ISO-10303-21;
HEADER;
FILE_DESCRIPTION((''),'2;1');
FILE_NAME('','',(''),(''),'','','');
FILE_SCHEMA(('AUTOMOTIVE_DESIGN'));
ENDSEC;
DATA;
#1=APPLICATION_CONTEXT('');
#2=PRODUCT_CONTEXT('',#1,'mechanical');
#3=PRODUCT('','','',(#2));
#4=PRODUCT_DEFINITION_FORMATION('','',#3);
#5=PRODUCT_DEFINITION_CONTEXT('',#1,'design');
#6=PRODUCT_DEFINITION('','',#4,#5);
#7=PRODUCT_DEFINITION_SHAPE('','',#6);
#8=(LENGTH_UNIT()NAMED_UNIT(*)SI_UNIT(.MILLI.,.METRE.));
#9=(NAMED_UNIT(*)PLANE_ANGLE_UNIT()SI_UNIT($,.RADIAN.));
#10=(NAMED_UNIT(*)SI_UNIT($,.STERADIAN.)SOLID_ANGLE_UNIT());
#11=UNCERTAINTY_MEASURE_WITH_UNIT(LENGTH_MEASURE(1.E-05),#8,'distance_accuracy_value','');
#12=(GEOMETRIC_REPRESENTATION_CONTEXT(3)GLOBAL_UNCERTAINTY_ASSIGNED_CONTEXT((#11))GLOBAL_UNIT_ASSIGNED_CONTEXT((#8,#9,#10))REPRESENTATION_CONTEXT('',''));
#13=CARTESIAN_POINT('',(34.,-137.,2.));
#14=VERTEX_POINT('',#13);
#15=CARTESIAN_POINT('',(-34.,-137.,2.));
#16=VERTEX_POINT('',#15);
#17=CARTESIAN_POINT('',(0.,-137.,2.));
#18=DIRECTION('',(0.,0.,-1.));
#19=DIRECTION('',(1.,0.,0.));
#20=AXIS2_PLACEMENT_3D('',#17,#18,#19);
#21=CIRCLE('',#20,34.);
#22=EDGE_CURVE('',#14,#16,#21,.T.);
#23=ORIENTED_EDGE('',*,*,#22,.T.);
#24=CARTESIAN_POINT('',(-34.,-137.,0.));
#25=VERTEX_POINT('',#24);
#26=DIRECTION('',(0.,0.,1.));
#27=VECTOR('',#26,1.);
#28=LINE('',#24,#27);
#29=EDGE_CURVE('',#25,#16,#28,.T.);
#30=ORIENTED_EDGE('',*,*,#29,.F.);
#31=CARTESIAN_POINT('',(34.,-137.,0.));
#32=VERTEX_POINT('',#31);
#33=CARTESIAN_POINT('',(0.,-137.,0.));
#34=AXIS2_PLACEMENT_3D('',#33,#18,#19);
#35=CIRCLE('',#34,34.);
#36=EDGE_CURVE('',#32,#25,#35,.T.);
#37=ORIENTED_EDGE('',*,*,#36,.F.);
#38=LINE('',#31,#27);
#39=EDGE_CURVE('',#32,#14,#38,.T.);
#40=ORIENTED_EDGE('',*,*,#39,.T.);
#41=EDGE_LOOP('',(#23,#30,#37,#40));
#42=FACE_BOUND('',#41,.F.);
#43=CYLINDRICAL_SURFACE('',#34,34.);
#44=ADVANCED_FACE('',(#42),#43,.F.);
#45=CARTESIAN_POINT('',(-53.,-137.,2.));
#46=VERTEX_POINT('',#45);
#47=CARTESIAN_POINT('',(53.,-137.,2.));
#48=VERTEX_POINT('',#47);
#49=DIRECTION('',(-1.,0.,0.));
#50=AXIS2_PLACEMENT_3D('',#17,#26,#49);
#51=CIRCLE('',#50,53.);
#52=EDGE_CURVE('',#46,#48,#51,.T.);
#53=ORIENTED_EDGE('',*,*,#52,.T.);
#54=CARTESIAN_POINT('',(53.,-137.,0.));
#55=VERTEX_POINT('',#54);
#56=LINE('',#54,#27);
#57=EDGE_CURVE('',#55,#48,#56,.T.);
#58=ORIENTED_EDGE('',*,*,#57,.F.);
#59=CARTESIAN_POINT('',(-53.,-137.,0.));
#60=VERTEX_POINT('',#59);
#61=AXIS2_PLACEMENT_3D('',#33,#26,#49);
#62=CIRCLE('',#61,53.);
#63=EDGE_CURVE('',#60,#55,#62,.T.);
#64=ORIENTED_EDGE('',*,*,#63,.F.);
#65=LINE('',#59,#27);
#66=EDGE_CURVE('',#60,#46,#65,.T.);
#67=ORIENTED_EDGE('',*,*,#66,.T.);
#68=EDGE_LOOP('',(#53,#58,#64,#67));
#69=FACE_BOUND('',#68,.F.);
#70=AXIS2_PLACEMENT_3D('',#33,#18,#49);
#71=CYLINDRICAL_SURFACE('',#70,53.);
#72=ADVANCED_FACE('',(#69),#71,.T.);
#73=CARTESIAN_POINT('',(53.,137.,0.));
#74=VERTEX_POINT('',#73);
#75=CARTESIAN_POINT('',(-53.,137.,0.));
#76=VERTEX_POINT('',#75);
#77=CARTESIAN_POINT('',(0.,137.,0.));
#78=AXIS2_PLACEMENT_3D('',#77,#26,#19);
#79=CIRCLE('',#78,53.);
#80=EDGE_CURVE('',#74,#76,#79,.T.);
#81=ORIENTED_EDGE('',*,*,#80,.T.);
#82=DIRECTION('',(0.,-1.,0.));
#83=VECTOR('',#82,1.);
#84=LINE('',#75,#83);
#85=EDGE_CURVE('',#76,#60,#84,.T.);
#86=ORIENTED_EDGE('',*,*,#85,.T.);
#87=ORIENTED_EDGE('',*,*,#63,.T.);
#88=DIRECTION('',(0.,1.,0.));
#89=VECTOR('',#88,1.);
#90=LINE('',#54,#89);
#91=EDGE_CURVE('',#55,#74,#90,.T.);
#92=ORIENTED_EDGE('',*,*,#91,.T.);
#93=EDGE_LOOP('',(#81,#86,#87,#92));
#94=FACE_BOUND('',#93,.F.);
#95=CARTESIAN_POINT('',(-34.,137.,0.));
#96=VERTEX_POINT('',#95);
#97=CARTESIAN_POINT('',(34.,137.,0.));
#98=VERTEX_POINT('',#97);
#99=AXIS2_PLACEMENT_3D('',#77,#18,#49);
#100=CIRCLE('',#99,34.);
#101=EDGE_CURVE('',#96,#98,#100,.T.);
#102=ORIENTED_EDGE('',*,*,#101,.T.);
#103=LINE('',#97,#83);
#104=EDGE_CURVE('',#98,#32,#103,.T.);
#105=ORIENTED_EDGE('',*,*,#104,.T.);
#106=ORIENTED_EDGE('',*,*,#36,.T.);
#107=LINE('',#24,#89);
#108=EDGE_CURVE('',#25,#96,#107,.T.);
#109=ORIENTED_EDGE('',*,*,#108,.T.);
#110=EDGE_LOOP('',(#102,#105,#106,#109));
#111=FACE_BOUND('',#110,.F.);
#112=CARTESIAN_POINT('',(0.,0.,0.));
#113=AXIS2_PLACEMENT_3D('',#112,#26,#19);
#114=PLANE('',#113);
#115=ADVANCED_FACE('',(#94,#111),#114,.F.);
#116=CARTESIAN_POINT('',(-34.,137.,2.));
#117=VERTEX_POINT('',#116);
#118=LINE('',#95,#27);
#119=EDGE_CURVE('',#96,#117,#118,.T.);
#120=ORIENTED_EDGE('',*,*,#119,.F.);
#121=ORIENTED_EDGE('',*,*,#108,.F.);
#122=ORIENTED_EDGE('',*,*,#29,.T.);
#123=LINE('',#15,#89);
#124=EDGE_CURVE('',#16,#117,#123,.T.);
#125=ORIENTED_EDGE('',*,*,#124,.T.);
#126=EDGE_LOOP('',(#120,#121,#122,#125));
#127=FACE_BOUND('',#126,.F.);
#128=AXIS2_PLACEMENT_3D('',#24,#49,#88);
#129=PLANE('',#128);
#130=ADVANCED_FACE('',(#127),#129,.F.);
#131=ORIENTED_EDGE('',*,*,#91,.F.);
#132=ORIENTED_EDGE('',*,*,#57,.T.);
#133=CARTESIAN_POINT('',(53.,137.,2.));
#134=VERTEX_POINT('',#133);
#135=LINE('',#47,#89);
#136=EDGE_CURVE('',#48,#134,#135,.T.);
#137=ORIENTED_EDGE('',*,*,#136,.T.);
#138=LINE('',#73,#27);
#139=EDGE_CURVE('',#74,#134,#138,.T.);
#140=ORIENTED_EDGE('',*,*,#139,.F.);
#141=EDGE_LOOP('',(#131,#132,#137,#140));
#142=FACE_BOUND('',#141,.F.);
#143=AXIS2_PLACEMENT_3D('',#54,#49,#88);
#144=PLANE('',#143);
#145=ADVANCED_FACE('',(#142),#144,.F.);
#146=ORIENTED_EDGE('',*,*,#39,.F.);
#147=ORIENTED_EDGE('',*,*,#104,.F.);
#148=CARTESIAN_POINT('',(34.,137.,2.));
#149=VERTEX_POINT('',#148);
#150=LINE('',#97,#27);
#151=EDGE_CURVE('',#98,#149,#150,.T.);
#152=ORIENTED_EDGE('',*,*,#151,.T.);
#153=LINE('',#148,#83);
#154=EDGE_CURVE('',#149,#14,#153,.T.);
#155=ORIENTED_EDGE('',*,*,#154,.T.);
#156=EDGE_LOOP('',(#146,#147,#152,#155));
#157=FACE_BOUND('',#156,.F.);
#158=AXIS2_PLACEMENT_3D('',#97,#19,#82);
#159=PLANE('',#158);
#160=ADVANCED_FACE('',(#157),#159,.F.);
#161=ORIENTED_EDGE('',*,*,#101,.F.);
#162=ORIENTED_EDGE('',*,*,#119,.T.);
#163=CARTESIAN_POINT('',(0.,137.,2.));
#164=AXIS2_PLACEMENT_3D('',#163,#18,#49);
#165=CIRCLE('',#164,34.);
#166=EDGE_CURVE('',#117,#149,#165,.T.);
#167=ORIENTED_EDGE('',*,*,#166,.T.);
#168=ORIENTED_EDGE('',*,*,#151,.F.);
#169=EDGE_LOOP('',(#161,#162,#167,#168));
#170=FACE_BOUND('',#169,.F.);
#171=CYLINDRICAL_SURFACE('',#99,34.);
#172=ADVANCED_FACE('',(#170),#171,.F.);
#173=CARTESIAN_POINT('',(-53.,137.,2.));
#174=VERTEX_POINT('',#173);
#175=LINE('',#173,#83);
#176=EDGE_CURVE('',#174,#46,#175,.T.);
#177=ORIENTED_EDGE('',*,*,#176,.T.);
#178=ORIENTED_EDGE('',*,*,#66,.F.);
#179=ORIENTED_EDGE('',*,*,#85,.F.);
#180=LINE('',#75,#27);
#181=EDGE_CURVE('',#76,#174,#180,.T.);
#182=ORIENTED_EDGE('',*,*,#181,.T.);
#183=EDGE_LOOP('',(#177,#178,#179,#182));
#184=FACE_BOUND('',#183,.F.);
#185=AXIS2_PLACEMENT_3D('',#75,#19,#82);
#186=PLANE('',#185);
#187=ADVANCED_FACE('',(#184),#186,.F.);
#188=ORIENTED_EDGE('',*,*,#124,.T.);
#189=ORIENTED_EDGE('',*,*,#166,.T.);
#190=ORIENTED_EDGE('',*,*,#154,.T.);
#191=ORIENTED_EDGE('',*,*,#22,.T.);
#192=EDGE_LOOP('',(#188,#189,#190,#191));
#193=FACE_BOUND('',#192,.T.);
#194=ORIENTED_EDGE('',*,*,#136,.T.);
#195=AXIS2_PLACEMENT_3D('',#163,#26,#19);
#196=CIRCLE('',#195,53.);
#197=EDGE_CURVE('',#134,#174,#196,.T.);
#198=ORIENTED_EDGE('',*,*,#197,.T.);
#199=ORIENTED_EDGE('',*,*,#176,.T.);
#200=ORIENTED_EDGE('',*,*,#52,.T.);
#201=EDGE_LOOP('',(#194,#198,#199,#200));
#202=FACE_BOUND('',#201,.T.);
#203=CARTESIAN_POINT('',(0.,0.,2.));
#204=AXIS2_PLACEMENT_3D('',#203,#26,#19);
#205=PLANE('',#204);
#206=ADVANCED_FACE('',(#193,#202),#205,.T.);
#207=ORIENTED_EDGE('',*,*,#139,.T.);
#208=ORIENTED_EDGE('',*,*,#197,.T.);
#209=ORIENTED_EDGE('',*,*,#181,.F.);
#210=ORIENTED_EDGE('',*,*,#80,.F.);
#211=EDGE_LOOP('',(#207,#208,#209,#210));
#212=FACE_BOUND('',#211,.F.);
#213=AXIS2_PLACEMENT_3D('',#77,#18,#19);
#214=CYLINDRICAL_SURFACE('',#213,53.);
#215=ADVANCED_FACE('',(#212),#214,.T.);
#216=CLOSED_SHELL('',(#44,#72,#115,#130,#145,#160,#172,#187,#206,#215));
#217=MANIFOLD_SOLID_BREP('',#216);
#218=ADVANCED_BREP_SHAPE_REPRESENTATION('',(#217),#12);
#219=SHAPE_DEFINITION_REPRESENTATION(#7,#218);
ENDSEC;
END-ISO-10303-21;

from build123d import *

# Parameters (mm, degrees)
F1_DEPTH = 2


with BuildPart() as f1:
    # F0 (on Top) → F1 (new body)
    with BuildSketch(Plane.XY):
        with BuildLine():
            ThreePointArc((53, 137), (0, 190), (-53, 137))
            Line((-53, 137), (-53, -137))
            ThreePointArc((-53, -137), (0, -190), (53, -137))
            Line((53, -137), (53, 137))
        make_face()
        with BuildLine():
            Line((-34, -137), (-34, 137))
            ThreePointArc((-34, 137), (0, 171), (34, 137))
            Line((34, 137), (34, -137))
            ThreePointArc((34, -137), (0, -171), (-34, -137))
        make_face(mode=Mode.SUBTRACT)
    extrude(amount=F1_DEPTH)


solid = f1.part
